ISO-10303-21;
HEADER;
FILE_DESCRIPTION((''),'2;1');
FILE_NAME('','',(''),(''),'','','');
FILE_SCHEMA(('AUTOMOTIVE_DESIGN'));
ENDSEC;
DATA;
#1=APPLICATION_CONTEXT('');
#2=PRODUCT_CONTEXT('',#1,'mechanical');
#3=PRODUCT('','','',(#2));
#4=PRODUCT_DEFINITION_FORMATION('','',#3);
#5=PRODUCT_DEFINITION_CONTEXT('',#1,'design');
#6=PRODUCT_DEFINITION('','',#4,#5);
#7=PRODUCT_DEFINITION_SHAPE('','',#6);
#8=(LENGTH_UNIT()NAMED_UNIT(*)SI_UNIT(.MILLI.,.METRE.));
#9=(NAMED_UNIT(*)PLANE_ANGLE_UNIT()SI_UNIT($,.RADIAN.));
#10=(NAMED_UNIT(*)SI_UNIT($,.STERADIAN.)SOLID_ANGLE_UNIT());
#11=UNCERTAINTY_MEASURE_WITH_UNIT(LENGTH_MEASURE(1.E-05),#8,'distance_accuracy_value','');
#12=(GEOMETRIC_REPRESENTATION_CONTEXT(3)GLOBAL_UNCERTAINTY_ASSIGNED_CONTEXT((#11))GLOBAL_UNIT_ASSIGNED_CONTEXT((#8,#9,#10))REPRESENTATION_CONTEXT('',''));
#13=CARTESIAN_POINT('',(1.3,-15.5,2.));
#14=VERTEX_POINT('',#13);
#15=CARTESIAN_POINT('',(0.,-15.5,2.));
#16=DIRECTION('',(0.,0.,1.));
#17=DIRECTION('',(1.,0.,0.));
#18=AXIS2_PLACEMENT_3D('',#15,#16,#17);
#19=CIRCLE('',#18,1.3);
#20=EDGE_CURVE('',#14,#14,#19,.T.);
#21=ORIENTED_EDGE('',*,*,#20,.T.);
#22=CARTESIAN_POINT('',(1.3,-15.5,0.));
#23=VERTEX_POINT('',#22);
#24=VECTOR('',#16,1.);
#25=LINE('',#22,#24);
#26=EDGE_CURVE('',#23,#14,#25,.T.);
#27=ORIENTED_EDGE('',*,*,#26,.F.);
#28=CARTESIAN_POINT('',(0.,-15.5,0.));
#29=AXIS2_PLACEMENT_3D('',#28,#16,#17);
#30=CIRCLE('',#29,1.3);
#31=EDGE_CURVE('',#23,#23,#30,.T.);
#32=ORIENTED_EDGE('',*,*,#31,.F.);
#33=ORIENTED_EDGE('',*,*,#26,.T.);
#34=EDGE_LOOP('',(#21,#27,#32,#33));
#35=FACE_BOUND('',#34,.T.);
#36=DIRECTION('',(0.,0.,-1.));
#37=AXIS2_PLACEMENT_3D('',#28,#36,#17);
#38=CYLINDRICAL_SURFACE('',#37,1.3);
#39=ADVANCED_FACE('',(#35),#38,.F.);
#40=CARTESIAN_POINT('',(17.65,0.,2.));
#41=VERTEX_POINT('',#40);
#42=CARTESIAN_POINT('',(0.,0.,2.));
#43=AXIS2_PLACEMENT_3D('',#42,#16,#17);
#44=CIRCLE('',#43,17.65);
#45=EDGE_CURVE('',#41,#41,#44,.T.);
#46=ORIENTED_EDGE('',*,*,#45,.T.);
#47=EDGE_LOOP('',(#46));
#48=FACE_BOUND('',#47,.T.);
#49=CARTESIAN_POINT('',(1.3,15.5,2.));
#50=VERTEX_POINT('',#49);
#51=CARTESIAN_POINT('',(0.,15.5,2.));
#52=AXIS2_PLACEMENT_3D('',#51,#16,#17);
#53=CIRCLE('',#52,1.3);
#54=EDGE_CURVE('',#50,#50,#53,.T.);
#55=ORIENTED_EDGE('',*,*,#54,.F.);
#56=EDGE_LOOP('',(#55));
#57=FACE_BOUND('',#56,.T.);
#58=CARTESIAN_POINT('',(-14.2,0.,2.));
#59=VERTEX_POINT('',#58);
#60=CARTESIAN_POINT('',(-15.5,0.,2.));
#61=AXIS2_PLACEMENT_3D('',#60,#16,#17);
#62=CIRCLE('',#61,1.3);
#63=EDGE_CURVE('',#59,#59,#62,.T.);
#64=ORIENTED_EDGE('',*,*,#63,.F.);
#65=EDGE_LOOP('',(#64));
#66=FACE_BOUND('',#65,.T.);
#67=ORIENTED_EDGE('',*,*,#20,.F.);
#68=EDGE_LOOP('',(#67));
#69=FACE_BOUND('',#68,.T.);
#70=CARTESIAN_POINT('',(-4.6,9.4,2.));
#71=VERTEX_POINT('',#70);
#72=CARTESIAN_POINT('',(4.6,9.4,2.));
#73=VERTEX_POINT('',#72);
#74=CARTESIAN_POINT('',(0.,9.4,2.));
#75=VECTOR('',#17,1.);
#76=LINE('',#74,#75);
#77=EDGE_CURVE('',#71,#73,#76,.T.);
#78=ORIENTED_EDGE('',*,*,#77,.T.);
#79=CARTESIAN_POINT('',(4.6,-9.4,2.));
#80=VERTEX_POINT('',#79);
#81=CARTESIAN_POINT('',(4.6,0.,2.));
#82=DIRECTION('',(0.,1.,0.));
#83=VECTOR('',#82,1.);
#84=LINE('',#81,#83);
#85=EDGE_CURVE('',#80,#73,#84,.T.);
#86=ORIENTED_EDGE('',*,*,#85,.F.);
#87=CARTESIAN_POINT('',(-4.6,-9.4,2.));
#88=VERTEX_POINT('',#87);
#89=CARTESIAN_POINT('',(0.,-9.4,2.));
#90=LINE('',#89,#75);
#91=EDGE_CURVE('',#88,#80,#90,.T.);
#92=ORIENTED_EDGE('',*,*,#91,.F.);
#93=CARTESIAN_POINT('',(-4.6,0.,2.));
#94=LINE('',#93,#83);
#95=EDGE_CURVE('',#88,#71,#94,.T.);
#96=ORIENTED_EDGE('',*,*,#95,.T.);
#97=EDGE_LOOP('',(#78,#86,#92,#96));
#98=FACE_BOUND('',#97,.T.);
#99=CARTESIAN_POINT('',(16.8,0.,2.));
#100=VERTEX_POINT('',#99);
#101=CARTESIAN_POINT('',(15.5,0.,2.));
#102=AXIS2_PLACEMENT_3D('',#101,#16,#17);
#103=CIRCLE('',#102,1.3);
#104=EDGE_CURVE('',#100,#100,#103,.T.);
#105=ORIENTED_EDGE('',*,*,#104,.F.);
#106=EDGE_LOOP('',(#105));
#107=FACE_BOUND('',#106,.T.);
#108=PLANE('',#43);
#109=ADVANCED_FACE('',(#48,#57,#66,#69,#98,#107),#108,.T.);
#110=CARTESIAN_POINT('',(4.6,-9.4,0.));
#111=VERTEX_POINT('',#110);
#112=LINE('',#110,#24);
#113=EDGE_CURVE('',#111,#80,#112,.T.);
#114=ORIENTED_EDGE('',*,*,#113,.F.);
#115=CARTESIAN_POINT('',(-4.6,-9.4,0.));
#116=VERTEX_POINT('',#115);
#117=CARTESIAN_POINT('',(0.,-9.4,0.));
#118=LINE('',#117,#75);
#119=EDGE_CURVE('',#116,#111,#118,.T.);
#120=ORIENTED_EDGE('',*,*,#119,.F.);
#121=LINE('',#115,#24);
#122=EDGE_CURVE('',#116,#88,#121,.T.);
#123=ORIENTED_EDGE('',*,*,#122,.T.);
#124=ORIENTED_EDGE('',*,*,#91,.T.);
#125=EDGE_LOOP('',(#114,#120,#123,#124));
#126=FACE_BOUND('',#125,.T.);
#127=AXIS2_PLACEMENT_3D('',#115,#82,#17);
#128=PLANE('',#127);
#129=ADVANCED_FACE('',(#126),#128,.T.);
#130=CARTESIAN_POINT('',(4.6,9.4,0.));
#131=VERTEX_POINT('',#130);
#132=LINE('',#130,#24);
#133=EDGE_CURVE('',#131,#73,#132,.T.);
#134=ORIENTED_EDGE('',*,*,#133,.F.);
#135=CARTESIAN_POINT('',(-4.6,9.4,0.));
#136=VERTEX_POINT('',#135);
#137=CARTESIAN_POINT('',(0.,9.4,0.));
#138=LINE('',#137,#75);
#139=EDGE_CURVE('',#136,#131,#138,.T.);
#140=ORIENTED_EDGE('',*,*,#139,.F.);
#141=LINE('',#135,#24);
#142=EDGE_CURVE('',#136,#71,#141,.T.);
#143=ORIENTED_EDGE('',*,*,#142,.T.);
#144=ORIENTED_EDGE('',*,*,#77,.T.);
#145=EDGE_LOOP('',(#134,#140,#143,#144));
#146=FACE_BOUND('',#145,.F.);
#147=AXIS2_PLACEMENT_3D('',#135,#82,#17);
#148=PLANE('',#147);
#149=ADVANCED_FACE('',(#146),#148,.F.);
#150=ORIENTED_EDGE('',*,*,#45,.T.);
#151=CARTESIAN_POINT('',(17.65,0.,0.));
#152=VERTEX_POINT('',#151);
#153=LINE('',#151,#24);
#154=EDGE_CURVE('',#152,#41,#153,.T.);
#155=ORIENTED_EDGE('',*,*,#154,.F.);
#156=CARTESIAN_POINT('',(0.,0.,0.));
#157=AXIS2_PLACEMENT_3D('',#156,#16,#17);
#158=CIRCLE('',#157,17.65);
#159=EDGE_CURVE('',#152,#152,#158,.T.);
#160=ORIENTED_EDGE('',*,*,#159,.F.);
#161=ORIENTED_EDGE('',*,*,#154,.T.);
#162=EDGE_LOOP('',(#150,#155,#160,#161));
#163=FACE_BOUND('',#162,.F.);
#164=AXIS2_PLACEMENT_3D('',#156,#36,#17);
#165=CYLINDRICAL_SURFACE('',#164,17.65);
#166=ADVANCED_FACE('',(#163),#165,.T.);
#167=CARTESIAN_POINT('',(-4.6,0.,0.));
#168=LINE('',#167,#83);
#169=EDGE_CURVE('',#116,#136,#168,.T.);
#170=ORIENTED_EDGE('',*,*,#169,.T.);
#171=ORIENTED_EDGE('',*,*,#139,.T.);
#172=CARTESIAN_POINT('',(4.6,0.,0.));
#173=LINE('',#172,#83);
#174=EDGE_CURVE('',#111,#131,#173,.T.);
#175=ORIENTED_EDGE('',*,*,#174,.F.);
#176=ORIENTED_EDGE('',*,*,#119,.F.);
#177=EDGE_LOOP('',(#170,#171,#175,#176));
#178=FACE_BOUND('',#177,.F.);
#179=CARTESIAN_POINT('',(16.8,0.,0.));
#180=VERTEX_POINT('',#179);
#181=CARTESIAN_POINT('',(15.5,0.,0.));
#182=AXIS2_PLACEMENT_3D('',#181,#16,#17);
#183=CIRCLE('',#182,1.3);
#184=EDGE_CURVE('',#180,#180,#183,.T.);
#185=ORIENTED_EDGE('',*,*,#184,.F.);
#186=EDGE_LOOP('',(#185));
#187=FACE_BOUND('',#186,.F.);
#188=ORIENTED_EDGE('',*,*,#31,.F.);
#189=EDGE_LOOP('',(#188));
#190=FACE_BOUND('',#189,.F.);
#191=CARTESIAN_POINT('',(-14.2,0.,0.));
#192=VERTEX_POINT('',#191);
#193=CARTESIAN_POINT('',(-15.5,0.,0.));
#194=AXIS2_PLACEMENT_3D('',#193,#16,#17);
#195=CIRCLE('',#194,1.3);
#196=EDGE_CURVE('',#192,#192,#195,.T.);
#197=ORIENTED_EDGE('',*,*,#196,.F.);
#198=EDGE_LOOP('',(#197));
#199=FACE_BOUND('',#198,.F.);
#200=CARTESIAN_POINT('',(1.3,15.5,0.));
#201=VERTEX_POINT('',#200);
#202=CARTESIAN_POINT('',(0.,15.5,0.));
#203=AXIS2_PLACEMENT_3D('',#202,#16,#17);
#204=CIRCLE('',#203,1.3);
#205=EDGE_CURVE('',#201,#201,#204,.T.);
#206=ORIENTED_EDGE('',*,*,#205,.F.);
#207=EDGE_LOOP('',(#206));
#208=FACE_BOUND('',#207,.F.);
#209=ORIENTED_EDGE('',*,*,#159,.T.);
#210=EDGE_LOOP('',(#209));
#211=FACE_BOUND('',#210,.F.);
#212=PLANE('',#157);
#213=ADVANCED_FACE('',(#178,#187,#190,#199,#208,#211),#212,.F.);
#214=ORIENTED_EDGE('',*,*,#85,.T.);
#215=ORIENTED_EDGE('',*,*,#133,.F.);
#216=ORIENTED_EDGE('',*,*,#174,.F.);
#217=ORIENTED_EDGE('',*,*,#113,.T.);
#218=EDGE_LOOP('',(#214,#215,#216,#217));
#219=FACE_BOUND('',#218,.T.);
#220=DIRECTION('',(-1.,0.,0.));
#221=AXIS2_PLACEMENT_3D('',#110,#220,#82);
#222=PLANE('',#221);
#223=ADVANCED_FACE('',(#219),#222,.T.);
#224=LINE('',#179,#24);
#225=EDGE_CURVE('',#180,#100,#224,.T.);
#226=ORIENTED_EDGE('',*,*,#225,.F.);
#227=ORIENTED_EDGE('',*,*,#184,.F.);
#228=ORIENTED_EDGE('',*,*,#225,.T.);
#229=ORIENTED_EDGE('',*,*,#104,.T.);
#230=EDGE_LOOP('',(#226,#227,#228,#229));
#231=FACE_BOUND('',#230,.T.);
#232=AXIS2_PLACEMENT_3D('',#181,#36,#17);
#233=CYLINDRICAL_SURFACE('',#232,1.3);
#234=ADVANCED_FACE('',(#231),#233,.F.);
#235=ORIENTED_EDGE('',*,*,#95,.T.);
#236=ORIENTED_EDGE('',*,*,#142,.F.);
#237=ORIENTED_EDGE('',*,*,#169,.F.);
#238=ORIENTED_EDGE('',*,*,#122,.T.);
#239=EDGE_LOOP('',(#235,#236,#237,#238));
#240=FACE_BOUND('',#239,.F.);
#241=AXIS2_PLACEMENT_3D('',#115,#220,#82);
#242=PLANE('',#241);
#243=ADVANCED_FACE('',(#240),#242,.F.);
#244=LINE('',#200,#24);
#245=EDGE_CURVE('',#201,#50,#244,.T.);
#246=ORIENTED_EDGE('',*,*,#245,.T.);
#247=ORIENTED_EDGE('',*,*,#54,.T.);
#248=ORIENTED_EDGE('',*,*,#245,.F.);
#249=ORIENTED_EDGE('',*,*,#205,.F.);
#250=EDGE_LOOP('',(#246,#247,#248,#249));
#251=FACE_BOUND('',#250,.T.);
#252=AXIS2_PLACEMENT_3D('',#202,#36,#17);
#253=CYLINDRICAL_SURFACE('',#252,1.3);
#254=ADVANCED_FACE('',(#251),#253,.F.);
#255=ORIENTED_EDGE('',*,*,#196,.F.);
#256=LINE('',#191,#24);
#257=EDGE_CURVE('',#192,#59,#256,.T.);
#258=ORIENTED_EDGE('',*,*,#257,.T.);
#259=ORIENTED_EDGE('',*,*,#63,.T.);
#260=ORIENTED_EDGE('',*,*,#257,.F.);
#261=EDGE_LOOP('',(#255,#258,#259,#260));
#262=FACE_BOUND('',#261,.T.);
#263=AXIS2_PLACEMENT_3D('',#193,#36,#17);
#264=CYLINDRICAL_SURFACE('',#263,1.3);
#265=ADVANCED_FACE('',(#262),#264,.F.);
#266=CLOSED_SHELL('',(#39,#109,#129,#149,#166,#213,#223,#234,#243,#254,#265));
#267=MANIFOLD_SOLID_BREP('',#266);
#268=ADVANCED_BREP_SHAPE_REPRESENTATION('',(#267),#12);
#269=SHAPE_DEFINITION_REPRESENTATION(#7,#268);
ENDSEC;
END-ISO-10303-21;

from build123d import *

# Parameters (mm, degrees)
F0_R     = 17.65
F0_R_2   = 1.3
F0_W     = 9.2
F0_H     = 18.8
F1_DEPTH = 2


with BuildPart() as f1:
    # F0 (on Top) → F1 (new body)
    with BuildSketch(Plane.XY):
        Circle(F0_R)
        with Locations((0, -15.5)):
            Circle(F0_R_2, mode=Mode.SUBTRACT)
        with Locations((-15.5, 0)):
            Circle(F0_R_2, mode=Mode.SUBTRACT)
        Rectangle(F0_W, F0_H, mode=Mode.SUBTRACT)
        with Locations((15.5, 0)):
            Circle(F0_R_2, mode=Mode.SUBTRACT)
        with Locations((0, 15.5)):
            Circle(F0_R_2, mode=Mode.SUBTRACT)
    extrude(amount=F1_DEPTH)


solid = f1.part
